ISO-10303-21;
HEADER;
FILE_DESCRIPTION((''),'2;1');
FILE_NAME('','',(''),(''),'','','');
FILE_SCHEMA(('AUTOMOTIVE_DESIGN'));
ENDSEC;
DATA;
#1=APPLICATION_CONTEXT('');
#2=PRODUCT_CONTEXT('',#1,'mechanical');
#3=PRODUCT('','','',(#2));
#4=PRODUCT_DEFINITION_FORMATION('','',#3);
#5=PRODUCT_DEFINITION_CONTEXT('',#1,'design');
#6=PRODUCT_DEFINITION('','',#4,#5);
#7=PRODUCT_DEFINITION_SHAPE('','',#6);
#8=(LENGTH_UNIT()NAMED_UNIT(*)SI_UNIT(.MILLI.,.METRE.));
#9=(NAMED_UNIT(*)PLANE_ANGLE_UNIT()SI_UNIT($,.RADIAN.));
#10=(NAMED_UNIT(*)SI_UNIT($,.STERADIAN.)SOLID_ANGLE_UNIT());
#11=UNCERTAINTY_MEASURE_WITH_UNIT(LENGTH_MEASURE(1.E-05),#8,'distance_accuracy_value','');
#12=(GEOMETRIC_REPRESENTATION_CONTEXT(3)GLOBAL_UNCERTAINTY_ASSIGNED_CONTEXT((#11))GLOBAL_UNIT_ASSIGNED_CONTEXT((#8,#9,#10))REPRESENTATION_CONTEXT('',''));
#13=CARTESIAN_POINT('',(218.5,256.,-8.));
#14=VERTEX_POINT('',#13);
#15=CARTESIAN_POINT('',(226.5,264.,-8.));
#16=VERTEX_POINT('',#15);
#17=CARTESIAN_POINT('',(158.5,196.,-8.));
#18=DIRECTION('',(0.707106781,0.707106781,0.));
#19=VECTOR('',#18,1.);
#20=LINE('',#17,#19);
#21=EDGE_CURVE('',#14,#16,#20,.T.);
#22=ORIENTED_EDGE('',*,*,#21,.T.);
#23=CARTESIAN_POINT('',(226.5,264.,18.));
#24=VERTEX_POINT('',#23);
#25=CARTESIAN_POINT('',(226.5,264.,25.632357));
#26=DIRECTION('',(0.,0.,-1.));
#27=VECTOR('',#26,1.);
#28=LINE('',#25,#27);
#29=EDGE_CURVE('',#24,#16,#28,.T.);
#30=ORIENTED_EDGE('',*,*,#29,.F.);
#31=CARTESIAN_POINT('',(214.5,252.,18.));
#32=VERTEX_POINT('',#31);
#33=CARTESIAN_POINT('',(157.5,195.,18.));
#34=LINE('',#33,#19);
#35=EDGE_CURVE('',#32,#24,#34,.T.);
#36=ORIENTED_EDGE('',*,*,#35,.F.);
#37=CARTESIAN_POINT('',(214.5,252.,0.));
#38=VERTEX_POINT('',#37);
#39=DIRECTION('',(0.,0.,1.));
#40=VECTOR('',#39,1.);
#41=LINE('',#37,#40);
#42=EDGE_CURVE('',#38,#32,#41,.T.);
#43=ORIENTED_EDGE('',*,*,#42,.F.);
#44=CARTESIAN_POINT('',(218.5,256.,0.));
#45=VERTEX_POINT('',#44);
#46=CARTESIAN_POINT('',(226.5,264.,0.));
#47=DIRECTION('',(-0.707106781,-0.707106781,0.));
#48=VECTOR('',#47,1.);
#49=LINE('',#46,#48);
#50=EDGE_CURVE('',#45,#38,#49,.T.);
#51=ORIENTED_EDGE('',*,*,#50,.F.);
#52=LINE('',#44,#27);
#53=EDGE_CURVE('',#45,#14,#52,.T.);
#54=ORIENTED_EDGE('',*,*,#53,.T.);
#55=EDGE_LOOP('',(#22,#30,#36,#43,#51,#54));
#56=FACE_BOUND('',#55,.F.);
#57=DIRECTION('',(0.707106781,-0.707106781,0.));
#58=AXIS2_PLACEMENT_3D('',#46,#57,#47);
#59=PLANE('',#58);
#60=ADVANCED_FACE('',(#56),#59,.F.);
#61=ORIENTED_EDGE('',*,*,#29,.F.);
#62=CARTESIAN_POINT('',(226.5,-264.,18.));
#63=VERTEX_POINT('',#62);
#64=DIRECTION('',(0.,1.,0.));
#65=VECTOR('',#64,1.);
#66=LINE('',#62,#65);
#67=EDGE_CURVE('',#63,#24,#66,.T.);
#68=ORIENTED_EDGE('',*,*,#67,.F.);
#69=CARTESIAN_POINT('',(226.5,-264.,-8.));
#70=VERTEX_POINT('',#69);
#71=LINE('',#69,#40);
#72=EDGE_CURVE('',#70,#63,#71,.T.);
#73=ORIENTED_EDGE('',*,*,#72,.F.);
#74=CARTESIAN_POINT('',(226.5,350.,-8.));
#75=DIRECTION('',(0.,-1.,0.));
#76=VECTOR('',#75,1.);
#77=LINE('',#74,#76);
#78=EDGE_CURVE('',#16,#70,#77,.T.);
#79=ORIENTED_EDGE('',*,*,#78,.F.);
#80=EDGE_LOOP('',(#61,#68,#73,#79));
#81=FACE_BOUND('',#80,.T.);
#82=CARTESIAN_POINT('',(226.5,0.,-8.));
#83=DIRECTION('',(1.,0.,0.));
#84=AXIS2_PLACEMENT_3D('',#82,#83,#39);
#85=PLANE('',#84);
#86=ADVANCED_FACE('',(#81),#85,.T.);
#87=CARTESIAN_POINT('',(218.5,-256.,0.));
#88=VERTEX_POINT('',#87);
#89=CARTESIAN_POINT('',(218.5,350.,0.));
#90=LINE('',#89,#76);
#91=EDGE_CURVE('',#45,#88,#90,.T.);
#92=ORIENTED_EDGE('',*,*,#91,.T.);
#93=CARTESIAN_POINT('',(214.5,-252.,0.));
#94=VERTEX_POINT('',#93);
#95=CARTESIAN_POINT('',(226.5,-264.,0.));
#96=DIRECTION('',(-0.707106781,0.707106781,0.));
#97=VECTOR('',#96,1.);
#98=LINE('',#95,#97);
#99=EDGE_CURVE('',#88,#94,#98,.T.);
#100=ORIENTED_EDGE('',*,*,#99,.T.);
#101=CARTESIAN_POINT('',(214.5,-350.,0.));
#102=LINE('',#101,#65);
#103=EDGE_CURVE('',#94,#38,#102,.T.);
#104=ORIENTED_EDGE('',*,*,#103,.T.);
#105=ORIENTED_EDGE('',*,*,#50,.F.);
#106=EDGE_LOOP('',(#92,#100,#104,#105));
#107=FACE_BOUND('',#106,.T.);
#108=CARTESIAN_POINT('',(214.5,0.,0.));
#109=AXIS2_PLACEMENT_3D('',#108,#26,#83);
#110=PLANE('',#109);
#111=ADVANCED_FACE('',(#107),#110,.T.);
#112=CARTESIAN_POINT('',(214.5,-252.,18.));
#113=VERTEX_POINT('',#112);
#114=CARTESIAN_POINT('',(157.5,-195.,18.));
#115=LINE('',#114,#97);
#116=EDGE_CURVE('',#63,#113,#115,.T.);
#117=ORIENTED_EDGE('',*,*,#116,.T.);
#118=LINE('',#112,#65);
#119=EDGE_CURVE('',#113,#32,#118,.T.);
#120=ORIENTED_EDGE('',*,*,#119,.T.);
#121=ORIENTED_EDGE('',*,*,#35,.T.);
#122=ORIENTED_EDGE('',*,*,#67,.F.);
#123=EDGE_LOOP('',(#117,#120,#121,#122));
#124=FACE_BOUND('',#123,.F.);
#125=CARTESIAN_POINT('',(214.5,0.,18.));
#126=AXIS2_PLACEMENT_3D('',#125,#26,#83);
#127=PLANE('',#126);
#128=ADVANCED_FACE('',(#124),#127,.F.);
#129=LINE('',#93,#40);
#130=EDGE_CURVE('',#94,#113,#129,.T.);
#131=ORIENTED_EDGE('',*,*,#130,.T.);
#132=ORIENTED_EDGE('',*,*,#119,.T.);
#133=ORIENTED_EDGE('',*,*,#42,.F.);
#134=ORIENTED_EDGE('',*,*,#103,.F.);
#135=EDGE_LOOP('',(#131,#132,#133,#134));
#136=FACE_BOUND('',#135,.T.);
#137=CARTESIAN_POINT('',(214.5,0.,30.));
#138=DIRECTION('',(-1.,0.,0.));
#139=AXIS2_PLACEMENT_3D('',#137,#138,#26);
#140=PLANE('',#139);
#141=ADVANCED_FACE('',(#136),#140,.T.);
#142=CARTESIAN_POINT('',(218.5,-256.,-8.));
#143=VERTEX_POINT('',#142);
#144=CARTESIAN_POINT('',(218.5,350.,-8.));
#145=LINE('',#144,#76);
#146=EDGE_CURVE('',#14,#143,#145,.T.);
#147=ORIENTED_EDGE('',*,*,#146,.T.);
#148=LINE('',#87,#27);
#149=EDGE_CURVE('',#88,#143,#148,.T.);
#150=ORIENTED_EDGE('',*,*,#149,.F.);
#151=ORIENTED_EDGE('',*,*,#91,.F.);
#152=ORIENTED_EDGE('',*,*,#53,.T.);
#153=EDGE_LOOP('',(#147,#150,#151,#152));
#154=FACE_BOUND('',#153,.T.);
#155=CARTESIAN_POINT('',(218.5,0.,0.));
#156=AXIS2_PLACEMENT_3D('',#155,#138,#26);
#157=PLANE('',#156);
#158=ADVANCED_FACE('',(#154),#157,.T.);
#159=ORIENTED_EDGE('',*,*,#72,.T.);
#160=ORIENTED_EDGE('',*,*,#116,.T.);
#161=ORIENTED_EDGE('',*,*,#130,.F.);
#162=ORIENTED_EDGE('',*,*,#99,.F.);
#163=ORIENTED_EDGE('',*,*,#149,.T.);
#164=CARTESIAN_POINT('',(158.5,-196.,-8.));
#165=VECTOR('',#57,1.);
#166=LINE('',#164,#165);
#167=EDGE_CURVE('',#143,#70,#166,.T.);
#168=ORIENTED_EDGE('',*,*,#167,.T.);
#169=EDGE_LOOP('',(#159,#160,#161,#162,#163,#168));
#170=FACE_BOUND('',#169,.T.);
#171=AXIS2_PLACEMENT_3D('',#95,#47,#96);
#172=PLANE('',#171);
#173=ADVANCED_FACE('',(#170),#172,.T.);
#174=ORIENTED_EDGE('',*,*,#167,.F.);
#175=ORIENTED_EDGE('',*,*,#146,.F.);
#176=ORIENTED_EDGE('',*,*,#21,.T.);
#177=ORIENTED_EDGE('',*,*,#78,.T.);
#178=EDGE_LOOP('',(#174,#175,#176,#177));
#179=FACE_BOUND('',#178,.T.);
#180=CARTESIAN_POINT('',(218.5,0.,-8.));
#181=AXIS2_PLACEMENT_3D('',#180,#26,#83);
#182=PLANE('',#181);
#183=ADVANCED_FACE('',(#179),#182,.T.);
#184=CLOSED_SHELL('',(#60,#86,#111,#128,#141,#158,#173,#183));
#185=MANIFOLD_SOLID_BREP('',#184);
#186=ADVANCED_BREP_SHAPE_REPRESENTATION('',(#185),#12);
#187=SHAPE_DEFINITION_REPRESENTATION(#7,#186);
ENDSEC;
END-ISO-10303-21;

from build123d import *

# Parameters (mm, degrees)
PAD002_DEPTH         = 350
POCKET001_DEPTH      = 8.001
POCKET001_DEPTH_BACK = 30.001
SKETCH_W             = 12
SKETCH_H             = 12
POCKET_DEPTH         = 264.001
POCKET_DEPTH_BACK    = 264.001


with BuildPart() as part:
    # Sketch003 → Pad002 (new body, symmetric)
    with BuildSketch(Plane.XZ):
        Polygon((214.5, 0), (218.5, 0), (218.5, -8), (226.5, -8), (226.5, 25.632357), (214.5, 30), align=None)
    extrude(amount=PAD002_DEPTH, both=True)

    # Sketch004 → Pocket001 (cut, two sides)
    with BuildSketch(Plane.XY) as pocket001_sk:
        Polygon((226.5, -350), (226.5, -264), (214.5, -252), (214.5, -350), align=None)
        Polygon((226.5, 350), (226.5, 264), (214.5, 252), (214.5, 350), align=None)
    extrude(amount=-POCKET001_DEPTH, mode=Mode.SUBTRACT)
    extrude(pocket001_sk.sketch, amount=POCKET001_DEPTH_BACK, mode=Mode.SUBTRACT)

    # Sketch → Pocket (cut, two sides)
    with BuildSketch(Plane.XZ) as pocket_sk:
        with Locations((220.5, 24)):
            Rectangle(SKETCH_W, SKETCH_H)
    extrude(amount=-POCKET_DEPTH, mode=Mode.SUBTRACT)
    extrude(pocket_sk.sketch, amount=POCKET_DEPTH_BACK, mode=Mode.SUBTRACT)


solid = part.part
